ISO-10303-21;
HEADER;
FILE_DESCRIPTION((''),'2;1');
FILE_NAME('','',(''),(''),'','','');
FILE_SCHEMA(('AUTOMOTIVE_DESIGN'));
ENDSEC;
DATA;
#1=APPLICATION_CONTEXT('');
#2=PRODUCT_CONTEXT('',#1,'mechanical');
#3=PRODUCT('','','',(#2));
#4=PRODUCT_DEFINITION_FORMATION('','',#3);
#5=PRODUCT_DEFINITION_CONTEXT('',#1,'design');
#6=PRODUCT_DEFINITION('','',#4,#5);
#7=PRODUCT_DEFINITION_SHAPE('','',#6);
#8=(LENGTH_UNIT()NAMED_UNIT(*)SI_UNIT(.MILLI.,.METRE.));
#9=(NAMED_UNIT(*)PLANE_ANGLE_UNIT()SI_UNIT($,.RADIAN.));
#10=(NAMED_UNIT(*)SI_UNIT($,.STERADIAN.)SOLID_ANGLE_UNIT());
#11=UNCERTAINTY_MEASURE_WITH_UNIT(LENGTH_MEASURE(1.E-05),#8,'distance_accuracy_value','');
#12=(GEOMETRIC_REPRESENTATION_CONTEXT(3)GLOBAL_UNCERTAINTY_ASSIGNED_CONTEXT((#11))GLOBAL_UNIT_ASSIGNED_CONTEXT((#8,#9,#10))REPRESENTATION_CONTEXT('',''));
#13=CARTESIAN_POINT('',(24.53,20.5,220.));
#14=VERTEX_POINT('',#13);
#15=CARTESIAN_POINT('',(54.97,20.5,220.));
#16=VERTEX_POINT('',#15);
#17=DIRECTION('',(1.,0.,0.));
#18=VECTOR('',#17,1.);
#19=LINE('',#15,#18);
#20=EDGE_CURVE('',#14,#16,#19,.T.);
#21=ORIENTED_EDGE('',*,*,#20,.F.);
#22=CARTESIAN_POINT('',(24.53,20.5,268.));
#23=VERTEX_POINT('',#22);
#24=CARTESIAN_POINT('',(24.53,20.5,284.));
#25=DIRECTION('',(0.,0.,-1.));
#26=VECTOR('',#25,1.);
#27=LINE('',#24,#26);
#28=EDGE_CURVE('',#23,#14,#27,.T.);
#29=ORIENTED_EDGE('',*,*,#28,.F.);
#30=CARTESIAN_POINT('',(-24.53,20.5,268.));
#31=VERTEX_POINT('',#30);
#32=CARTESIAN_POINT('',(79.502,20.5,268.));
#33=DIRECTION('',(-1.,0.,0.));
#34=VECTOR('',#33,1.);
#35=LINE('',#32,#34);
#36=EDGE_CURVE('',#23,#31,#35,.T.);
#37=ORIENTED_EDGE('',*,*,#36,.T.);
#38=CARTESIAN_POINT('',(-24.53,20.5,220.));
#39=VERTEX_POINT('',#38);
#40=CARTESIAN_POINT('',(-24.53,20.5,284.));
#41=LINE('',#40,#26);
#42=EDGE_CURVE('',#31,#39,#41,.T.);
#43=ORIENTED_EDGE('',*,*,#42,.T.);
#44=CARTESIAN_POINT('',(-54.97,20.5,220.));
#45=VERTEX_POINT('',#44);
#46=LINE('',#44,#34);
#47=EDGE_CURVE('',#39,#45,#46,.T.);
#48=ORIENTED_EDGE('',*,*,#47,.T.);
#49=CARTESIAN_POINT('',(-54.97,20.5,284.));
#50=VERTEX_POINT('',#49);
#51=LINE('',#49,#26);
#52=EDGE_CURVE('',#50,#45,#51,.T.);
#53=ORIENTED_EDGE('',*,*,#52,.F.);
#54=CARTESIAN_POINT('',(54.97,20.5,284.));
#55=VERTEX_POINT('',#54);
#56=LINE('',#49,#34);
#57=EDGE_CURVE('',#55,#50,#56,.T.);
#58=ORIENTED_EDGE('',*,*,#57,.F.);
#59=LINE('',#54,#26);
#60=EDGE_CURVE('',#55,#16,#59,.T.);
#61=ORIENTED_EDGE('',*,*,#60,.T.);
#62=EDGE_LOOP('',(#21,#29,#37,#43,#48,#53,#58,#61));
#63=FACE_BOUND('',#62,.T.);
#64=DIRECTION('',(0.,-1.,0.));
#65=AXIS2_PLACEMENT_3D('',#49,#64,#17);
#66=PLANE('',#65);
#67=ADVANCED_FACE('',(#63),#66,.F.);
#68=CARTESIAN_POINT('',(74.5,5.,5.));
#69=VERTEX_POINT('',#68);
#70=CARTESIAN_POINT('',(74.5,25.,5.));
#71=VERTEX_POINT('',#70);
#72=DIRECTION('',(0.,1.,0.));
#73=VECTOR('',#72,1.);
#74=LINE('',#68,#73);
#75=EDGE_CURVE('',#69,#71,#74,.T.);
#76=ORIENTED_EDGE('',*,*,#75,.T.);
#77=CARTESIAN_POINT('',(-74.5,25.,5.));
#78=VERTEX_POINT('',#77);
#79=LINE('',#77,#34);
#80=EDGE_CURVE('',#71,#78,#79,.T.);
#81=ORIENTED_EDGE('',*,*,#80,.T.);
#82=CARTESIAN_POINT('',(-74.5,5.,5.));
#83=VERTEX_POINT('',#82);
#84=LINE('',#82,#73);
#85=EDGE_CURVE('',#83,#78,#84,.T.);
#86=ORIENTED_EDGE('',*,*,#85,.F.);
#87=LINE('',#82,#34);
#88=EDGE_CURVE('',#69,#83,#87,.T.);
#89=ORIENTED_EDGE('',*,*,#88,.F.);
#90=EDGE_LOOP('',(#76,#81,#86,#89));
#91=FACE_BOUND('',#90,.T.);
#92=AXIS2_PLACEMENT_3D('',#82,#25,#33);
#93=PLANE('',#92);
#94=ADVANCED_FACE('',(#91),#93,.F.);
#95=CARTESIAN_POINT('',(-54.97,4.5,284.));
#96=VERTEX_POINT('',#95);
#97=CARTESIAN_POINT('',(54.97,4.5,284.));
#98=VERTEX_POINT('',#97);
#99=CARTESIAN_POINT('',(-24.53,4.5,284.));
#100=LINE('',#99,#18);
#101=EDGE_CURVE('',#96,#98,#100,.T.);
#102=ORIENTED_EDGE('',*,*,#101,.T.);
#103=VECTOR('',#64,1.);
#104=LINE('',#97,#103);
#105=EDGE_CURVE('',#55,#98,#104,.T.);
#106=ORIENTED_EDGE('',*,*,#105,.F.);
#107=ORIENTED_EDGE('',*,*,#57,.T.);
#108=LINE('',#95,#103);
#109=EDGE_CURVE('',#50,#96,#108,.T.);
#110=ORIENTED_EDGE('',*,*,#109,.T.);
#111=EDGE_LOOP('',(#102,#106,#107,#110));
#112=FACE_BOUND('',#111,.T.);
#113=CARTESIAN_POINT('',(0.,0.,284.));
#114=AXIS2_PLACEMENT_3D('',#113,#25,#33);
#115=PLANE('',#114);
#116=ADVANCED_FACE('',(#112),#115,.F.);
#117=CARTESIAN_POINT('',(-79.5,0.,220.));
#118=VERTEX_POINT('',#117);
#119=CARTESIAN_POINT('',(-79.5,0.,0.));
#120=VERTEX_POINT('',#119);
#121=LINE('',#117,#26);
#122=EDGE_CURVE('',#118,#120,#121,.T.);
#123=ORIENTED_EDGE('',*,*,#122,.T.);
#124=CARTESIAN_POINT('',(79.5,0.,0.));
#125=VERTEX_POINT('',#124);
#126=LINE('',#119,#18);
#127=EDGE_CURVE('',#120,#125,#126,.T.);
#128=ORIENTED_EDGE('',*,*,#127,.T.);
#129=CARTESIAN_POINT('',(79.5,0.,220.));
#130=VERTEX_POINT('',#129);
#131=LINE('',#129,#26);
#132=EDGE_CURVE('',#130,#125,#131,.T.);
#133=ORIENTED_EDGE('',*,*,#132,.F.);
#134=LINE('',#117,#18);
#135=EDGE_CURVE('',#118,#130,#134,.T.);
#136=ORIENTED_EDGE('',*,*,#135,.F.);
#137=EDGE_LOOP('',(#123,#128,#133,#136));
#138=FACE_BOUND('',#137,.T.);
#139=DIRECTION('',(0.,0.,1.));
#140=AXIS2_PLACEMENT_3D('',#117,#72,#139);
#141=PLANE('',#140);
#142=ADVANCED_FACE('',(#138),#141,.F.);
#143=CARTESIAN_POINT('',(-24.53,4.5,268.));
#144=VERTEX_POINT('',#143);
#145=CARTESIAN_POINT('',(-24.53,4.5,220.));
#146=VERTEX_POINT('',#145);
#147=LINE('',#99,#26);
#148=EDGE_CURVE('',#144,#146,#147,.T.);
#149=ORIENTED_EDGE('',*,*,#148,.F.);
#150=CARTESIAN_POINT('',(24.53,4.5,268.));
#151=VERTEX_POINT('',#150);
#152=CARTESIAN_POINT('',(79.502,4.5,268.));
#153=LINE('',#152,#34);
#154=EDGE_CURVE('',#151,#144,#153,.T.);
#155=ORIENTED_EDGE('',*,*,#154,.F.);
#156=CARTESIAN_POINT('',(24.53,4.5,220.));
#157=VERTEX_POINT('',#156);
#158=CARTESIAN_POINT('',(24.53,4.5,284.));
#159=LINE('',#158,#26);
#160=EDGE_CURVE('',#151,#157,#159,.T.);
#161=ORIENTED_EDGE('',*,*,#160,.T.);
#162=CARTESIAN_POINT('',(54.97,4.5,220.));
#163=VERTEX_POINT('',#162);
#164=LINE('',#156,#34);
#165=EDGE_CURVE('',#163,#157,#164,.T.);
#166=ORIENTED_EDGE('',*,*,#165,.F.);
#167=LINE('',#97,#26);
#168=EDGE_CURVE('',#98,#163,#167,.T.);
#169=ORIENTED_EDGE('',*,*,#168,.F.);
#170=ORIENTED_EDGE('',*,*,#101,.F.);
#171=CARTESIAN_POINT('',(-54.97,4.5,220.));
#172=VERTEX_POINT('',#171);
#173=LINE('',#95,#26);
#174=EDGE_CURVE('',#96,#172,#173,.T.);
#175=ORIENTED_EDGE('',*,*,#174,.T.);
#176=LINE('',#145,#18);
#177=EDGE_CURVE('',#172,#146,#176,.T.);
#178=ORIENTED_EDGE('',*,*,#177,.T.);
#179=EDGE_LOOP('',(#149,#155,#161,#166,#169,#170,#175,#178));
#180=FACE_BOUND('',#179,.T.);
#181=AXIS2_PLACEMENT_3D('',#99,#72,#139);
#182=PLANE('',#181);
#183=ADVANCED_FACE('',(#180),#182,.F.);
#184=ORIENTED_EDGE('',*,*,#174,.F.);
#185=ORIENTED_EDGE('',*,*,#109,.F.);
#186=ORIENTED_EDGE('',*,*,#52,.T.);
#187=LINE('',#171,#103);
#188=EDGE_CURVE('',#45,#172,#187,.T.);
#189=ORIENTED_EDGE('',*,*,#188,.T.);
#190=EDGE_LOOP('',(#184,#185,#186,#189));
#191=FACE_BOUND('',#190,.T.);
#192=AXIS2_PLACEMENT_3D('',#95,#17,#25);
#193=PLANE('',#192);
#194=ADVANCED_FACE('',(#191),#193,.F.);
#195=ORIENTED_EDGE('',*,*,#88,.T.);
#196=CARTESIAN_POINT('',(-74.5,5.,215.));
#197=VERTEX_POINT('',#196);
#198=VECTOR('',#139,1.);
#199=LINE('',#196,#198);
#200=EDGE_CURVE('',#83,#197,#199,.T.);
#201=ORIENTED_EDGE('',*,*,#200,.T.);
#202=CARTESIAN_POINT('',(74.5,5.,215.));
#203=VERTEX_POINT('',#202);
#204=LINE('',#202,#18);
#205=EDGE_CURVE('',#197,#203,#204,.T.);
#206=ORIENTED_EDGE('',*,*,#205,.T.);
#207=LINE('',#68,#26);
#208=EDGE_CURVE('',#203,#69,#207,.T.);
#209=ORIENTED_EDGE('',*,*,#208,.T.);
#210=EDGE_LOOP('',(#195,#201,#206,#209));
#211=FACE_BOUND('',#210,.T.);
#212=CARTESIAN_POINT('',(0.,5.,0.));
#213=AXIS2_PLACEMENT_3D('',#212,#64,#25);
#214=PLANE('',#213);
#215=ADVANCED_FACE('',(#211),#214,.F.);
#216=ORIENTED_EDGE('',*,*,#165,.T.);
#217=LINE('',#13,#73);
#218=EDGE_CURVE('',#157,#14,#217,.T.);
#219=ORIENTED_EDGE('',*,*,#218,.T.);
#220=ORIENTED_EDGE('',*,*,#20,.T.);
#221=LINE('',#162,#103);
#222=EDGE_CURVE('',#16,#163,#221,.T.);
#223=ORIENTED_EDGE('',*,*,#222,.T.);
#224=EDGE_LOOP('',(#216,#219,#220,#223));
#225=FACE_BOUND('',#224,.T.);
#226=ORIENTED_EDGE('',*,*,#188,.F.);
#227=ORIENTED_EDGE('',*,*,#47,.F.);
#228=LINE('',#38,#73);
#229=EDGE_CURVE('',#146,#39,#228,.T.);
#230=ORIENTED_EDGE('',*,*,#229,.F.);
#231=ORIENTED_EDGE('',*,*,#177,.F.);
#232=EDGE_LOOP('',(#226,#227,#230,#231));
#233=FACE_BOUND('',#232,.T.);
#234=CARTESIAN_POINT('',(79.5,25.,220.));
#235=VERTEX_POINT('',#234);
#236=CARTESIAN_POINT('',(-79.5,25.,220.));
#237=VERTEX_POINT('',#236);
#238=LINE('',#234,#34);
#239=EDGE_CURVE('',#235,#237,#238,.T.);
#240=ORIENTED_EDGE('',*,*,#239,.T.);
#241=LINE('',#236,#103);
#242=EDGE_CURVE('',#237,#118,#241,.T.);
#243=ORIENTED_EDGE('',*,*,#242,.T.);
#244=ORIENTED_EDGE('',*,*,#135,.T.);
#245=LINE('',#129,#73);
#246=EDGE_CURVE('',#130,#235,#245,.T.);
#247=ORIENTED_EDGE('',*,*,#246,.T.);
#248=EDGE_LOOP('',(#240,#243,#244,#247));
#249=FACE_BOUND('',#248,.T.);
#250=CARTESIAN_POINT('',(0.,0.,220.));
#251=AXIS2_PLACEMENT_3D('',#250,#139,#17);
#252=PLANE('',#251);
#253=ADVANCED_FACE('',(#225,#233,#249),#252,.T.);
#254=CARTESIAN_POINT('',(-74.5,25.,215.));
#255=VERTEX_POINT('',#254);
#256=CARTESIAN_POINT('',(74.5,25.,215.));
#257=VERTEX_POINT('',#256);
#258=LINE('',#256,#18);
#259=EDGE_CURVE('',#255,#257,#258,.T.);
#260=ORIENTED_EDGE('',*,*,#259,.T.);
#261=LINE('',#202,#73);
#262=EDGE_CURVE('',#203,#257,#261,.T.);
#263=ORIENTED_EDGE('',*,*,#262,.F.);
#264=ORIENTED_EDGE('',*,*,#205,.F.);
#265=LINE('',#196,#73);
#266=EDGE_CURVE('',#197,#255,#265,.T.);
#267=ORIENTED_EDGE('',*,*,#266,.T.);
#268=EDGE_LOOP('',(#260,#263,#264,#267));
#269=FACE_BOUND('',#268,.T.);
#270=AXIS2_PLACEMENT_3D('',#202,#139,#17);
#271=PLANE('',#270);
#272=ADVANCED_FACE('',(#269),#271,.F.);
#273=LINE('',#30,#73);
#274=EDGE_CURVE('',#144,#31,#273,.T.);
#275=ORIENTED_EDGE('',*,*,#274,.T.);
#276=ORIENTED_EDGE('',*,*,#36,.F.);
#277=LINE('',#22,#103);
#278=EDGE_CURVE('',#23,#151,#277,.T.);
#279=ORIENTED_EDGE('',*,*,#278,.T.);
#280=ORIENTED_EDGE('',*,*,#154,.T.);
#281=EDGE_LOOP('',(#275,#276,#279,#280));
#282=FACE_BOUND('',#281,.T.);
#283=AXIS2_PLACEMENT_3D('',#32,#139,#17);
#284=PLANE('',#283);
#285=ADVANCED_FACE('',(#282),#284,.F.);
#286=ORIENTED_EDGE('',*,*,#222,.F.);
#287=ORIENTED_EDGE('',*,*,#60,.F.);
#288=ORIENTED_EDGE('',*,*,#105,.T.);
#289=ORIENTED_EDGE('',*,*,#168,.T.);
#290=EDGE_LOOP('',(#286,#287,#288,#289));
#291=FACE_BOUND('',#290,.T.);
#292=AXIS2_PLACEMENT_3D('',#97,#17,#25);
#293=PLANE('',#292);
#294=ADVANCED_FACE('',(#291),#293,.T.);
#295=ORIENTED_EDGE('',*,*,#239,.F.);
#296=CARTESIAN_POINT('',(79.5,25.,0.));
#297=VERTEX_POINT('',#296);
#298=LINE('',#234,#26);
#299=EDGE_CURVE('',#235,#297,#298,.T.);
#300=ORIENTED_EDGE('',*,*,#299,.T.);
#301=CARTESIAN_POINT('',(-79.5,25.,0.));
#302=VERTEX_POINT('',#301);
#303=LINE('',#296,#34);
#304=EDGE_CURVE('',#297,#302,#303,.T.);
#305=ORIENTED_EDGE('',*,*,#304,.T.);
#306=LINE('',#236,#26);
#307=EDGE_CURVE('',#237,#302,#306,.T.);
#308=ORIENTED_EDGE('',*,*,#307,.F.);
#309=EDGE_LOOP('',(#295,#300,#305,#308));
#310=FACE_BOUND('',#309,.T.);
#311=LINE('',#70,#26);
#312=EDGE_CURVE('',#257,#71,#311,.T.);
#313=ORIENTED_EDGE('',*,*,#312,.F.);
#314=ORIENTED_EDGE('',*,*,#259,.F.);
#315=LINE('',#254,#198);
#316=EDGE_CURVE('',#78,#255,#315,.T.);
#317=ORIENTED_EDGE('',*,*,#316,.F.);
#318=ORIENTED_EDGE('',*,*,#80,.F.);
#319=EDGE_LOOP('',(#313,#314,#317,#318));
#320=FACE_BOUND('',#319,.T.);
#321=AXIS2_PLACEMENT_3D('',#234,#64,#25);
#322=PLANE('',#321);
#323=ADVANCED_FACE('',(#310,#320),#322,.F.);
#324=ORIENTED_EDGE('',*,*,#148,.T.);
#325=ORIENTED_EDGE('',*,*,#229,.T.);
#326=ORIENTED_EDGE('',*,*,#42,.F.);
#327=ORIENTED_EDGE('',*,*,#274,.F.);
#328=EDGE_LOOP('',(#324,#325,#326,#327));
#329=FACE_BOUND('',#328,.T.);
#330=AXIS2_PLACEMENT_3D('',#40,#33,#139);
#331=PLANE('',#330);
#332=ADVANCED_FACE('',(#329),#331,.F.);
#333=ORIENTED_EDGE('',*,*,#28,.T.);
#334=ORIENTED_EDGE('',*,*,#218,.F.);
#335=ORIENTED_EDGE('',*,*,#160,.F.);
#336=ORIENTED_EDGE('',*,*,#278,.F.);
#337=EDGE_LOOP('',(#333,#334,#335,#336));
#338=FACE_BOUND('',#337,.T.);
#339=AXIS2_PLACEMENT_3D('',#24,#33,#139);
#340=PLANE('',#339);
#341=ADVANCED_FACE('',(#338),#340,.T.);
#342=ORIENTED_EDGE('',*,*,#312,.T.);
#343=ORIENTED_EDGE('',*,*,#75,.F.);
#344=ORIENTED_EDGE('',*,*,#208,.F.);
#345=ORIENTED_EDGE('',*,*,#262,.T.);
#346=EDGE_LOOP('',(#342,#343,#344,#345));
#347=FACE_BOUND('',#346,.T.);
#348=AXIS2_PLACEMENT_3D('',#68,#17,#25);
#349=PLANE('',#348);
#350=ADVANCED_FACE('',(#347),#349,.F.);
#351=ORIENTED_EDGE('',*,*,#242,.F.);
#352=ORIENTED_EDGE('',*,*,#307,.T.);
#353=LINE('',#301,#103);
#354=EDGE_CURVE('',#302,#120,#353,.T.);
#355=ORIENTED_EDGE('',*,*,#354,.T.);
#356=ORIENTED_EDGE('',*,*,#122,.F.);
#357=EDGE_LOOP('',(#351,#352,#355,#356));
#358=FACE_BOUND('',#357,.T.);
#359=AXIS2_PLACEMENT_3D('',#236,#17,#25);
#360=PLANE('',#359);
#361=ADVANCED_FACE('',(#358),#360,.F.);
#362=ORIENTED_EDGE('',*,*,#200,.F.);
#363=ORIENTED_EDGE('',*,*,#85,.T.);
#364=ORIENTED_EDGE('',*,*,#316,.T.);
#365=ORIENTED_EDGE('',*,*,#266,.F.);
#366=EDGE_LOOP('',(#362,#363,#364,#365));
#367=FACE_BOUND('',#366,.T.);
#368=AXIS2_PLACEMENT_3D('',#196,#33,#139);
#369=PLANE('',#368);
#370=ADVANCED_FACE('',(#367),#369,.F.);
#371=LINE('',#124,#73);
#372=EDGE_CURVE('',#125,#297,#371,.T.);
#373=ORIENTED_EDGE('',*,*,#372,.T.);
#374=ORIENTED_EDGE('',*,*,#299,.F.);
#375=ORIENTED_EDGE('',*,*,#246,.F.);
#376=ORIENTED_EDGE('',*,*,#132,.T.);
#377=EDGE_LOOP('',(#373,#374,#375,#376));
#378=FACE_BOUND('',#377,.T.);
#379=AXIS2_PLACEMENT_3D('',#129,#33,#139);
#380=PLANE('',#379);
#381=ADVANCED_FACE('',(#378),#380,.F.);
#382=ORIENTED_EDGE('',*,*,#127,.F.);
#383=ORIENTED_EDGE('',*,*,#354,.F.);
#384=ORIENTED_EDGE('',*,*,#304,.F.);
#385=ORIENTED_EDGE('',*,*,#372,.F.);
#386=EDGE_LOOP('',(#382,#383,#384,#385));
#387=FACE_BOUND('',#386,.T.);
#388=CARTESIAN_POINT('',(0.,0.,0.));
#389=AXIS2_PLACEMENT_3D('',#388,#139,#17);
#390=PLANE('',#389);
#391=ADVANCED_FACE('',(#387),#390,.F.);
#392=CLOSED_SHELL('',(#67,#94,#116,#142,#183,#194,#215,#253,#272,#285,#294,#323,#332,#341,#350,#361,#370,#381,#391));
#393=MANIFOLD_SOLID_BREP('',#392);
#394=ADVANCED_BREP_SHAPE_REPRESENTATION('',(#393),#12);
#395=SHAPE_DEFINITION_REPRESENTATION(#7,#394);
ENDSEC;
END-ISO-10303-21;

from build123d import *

# Parameters (mm, degrees)
SKETCH1_W           = 159
SKETCH1_H           = 25
BOSS_EXTRUDE1_DEPTH = 220
SKETCH2_W           = 149
SKETCH2_H           = 210
CUT_EXTRUDE1_DEPTH  = 20
SKETCH3_W           = 30.44
SKETCH3_H           = 16
BOSS_EXTRUDE2_DEPTH = 64
BOSS_EXTRUDE3_REACH = 305.485
SKETCH4_W           = 16
SKETCH4_H           = 16


with BuildPart() as part:
    # Sketch1 → Boss-Extrude1 (new body)
    with BuildSketch(Plane.XY):
        with Locations((0, 12.5)):
            Rectangle(SKETCH1_W, SKETCH1_H)
    extrude(amount=BOSS_EXTRUDE1_DEPTH)

    # Sketch2 → Cut-Extrude1 (cut)
    with BuildSketch(Plane(origin=(0, 25, 0), x_dir=(1, 0, 0), z_dir=(0, 1, 0))):
        with Locations((0, -110)):
            Rectangle(SKETCH2_W, SKETCH2_H)
    extrude(amount=-CUT_EXTRUDE1_DEPTH, mode=Mode.SUBTRACT)

    # Sketch3 → Boss-Extrude2 (add)
    with BuildSketch(Plane.XY.offset(220)):
        with Locations((-39.75, 12.5)):
            Rectangle(SKETCH3_W, SKETCH3_H)
    boss_extrude2 = extrude(amount=BOSS_EXTRUDE2_DEPTH)

    # Mirror1: Boss-Extrude2 across plane
    add(boss_extrude2.mirror(Plane(origin=(0, 0, 0), x_dir=(0, 0, 1), z_dir=(1, 0, 0))))

    # Sketch4 → Boss-Extrude3 (add, up to next)
    with BuildSketch(Plane(origin=(-24.53, 0, 0), x_dir=(0, 0, -1), z_dir=(1, 0, 0)), mode=Mode.PRIVATE) as boss_extrude3_sk1:
        with Locations((-276, 12.5)):
            Rectangle(SKETCH4_W, SKETCH4_H)
    boss_extrude3_tool1 = extrude(boss_extrude3_sk1.sketch, amount=BOSS_EXTRUDE3_REACH, mode=Mode.PRIVATE) - part.part
    add(boss_extrude3_tool1.solids().sort_by_distance((-24.53, 12.5, 276))[0])


solid = part.part
